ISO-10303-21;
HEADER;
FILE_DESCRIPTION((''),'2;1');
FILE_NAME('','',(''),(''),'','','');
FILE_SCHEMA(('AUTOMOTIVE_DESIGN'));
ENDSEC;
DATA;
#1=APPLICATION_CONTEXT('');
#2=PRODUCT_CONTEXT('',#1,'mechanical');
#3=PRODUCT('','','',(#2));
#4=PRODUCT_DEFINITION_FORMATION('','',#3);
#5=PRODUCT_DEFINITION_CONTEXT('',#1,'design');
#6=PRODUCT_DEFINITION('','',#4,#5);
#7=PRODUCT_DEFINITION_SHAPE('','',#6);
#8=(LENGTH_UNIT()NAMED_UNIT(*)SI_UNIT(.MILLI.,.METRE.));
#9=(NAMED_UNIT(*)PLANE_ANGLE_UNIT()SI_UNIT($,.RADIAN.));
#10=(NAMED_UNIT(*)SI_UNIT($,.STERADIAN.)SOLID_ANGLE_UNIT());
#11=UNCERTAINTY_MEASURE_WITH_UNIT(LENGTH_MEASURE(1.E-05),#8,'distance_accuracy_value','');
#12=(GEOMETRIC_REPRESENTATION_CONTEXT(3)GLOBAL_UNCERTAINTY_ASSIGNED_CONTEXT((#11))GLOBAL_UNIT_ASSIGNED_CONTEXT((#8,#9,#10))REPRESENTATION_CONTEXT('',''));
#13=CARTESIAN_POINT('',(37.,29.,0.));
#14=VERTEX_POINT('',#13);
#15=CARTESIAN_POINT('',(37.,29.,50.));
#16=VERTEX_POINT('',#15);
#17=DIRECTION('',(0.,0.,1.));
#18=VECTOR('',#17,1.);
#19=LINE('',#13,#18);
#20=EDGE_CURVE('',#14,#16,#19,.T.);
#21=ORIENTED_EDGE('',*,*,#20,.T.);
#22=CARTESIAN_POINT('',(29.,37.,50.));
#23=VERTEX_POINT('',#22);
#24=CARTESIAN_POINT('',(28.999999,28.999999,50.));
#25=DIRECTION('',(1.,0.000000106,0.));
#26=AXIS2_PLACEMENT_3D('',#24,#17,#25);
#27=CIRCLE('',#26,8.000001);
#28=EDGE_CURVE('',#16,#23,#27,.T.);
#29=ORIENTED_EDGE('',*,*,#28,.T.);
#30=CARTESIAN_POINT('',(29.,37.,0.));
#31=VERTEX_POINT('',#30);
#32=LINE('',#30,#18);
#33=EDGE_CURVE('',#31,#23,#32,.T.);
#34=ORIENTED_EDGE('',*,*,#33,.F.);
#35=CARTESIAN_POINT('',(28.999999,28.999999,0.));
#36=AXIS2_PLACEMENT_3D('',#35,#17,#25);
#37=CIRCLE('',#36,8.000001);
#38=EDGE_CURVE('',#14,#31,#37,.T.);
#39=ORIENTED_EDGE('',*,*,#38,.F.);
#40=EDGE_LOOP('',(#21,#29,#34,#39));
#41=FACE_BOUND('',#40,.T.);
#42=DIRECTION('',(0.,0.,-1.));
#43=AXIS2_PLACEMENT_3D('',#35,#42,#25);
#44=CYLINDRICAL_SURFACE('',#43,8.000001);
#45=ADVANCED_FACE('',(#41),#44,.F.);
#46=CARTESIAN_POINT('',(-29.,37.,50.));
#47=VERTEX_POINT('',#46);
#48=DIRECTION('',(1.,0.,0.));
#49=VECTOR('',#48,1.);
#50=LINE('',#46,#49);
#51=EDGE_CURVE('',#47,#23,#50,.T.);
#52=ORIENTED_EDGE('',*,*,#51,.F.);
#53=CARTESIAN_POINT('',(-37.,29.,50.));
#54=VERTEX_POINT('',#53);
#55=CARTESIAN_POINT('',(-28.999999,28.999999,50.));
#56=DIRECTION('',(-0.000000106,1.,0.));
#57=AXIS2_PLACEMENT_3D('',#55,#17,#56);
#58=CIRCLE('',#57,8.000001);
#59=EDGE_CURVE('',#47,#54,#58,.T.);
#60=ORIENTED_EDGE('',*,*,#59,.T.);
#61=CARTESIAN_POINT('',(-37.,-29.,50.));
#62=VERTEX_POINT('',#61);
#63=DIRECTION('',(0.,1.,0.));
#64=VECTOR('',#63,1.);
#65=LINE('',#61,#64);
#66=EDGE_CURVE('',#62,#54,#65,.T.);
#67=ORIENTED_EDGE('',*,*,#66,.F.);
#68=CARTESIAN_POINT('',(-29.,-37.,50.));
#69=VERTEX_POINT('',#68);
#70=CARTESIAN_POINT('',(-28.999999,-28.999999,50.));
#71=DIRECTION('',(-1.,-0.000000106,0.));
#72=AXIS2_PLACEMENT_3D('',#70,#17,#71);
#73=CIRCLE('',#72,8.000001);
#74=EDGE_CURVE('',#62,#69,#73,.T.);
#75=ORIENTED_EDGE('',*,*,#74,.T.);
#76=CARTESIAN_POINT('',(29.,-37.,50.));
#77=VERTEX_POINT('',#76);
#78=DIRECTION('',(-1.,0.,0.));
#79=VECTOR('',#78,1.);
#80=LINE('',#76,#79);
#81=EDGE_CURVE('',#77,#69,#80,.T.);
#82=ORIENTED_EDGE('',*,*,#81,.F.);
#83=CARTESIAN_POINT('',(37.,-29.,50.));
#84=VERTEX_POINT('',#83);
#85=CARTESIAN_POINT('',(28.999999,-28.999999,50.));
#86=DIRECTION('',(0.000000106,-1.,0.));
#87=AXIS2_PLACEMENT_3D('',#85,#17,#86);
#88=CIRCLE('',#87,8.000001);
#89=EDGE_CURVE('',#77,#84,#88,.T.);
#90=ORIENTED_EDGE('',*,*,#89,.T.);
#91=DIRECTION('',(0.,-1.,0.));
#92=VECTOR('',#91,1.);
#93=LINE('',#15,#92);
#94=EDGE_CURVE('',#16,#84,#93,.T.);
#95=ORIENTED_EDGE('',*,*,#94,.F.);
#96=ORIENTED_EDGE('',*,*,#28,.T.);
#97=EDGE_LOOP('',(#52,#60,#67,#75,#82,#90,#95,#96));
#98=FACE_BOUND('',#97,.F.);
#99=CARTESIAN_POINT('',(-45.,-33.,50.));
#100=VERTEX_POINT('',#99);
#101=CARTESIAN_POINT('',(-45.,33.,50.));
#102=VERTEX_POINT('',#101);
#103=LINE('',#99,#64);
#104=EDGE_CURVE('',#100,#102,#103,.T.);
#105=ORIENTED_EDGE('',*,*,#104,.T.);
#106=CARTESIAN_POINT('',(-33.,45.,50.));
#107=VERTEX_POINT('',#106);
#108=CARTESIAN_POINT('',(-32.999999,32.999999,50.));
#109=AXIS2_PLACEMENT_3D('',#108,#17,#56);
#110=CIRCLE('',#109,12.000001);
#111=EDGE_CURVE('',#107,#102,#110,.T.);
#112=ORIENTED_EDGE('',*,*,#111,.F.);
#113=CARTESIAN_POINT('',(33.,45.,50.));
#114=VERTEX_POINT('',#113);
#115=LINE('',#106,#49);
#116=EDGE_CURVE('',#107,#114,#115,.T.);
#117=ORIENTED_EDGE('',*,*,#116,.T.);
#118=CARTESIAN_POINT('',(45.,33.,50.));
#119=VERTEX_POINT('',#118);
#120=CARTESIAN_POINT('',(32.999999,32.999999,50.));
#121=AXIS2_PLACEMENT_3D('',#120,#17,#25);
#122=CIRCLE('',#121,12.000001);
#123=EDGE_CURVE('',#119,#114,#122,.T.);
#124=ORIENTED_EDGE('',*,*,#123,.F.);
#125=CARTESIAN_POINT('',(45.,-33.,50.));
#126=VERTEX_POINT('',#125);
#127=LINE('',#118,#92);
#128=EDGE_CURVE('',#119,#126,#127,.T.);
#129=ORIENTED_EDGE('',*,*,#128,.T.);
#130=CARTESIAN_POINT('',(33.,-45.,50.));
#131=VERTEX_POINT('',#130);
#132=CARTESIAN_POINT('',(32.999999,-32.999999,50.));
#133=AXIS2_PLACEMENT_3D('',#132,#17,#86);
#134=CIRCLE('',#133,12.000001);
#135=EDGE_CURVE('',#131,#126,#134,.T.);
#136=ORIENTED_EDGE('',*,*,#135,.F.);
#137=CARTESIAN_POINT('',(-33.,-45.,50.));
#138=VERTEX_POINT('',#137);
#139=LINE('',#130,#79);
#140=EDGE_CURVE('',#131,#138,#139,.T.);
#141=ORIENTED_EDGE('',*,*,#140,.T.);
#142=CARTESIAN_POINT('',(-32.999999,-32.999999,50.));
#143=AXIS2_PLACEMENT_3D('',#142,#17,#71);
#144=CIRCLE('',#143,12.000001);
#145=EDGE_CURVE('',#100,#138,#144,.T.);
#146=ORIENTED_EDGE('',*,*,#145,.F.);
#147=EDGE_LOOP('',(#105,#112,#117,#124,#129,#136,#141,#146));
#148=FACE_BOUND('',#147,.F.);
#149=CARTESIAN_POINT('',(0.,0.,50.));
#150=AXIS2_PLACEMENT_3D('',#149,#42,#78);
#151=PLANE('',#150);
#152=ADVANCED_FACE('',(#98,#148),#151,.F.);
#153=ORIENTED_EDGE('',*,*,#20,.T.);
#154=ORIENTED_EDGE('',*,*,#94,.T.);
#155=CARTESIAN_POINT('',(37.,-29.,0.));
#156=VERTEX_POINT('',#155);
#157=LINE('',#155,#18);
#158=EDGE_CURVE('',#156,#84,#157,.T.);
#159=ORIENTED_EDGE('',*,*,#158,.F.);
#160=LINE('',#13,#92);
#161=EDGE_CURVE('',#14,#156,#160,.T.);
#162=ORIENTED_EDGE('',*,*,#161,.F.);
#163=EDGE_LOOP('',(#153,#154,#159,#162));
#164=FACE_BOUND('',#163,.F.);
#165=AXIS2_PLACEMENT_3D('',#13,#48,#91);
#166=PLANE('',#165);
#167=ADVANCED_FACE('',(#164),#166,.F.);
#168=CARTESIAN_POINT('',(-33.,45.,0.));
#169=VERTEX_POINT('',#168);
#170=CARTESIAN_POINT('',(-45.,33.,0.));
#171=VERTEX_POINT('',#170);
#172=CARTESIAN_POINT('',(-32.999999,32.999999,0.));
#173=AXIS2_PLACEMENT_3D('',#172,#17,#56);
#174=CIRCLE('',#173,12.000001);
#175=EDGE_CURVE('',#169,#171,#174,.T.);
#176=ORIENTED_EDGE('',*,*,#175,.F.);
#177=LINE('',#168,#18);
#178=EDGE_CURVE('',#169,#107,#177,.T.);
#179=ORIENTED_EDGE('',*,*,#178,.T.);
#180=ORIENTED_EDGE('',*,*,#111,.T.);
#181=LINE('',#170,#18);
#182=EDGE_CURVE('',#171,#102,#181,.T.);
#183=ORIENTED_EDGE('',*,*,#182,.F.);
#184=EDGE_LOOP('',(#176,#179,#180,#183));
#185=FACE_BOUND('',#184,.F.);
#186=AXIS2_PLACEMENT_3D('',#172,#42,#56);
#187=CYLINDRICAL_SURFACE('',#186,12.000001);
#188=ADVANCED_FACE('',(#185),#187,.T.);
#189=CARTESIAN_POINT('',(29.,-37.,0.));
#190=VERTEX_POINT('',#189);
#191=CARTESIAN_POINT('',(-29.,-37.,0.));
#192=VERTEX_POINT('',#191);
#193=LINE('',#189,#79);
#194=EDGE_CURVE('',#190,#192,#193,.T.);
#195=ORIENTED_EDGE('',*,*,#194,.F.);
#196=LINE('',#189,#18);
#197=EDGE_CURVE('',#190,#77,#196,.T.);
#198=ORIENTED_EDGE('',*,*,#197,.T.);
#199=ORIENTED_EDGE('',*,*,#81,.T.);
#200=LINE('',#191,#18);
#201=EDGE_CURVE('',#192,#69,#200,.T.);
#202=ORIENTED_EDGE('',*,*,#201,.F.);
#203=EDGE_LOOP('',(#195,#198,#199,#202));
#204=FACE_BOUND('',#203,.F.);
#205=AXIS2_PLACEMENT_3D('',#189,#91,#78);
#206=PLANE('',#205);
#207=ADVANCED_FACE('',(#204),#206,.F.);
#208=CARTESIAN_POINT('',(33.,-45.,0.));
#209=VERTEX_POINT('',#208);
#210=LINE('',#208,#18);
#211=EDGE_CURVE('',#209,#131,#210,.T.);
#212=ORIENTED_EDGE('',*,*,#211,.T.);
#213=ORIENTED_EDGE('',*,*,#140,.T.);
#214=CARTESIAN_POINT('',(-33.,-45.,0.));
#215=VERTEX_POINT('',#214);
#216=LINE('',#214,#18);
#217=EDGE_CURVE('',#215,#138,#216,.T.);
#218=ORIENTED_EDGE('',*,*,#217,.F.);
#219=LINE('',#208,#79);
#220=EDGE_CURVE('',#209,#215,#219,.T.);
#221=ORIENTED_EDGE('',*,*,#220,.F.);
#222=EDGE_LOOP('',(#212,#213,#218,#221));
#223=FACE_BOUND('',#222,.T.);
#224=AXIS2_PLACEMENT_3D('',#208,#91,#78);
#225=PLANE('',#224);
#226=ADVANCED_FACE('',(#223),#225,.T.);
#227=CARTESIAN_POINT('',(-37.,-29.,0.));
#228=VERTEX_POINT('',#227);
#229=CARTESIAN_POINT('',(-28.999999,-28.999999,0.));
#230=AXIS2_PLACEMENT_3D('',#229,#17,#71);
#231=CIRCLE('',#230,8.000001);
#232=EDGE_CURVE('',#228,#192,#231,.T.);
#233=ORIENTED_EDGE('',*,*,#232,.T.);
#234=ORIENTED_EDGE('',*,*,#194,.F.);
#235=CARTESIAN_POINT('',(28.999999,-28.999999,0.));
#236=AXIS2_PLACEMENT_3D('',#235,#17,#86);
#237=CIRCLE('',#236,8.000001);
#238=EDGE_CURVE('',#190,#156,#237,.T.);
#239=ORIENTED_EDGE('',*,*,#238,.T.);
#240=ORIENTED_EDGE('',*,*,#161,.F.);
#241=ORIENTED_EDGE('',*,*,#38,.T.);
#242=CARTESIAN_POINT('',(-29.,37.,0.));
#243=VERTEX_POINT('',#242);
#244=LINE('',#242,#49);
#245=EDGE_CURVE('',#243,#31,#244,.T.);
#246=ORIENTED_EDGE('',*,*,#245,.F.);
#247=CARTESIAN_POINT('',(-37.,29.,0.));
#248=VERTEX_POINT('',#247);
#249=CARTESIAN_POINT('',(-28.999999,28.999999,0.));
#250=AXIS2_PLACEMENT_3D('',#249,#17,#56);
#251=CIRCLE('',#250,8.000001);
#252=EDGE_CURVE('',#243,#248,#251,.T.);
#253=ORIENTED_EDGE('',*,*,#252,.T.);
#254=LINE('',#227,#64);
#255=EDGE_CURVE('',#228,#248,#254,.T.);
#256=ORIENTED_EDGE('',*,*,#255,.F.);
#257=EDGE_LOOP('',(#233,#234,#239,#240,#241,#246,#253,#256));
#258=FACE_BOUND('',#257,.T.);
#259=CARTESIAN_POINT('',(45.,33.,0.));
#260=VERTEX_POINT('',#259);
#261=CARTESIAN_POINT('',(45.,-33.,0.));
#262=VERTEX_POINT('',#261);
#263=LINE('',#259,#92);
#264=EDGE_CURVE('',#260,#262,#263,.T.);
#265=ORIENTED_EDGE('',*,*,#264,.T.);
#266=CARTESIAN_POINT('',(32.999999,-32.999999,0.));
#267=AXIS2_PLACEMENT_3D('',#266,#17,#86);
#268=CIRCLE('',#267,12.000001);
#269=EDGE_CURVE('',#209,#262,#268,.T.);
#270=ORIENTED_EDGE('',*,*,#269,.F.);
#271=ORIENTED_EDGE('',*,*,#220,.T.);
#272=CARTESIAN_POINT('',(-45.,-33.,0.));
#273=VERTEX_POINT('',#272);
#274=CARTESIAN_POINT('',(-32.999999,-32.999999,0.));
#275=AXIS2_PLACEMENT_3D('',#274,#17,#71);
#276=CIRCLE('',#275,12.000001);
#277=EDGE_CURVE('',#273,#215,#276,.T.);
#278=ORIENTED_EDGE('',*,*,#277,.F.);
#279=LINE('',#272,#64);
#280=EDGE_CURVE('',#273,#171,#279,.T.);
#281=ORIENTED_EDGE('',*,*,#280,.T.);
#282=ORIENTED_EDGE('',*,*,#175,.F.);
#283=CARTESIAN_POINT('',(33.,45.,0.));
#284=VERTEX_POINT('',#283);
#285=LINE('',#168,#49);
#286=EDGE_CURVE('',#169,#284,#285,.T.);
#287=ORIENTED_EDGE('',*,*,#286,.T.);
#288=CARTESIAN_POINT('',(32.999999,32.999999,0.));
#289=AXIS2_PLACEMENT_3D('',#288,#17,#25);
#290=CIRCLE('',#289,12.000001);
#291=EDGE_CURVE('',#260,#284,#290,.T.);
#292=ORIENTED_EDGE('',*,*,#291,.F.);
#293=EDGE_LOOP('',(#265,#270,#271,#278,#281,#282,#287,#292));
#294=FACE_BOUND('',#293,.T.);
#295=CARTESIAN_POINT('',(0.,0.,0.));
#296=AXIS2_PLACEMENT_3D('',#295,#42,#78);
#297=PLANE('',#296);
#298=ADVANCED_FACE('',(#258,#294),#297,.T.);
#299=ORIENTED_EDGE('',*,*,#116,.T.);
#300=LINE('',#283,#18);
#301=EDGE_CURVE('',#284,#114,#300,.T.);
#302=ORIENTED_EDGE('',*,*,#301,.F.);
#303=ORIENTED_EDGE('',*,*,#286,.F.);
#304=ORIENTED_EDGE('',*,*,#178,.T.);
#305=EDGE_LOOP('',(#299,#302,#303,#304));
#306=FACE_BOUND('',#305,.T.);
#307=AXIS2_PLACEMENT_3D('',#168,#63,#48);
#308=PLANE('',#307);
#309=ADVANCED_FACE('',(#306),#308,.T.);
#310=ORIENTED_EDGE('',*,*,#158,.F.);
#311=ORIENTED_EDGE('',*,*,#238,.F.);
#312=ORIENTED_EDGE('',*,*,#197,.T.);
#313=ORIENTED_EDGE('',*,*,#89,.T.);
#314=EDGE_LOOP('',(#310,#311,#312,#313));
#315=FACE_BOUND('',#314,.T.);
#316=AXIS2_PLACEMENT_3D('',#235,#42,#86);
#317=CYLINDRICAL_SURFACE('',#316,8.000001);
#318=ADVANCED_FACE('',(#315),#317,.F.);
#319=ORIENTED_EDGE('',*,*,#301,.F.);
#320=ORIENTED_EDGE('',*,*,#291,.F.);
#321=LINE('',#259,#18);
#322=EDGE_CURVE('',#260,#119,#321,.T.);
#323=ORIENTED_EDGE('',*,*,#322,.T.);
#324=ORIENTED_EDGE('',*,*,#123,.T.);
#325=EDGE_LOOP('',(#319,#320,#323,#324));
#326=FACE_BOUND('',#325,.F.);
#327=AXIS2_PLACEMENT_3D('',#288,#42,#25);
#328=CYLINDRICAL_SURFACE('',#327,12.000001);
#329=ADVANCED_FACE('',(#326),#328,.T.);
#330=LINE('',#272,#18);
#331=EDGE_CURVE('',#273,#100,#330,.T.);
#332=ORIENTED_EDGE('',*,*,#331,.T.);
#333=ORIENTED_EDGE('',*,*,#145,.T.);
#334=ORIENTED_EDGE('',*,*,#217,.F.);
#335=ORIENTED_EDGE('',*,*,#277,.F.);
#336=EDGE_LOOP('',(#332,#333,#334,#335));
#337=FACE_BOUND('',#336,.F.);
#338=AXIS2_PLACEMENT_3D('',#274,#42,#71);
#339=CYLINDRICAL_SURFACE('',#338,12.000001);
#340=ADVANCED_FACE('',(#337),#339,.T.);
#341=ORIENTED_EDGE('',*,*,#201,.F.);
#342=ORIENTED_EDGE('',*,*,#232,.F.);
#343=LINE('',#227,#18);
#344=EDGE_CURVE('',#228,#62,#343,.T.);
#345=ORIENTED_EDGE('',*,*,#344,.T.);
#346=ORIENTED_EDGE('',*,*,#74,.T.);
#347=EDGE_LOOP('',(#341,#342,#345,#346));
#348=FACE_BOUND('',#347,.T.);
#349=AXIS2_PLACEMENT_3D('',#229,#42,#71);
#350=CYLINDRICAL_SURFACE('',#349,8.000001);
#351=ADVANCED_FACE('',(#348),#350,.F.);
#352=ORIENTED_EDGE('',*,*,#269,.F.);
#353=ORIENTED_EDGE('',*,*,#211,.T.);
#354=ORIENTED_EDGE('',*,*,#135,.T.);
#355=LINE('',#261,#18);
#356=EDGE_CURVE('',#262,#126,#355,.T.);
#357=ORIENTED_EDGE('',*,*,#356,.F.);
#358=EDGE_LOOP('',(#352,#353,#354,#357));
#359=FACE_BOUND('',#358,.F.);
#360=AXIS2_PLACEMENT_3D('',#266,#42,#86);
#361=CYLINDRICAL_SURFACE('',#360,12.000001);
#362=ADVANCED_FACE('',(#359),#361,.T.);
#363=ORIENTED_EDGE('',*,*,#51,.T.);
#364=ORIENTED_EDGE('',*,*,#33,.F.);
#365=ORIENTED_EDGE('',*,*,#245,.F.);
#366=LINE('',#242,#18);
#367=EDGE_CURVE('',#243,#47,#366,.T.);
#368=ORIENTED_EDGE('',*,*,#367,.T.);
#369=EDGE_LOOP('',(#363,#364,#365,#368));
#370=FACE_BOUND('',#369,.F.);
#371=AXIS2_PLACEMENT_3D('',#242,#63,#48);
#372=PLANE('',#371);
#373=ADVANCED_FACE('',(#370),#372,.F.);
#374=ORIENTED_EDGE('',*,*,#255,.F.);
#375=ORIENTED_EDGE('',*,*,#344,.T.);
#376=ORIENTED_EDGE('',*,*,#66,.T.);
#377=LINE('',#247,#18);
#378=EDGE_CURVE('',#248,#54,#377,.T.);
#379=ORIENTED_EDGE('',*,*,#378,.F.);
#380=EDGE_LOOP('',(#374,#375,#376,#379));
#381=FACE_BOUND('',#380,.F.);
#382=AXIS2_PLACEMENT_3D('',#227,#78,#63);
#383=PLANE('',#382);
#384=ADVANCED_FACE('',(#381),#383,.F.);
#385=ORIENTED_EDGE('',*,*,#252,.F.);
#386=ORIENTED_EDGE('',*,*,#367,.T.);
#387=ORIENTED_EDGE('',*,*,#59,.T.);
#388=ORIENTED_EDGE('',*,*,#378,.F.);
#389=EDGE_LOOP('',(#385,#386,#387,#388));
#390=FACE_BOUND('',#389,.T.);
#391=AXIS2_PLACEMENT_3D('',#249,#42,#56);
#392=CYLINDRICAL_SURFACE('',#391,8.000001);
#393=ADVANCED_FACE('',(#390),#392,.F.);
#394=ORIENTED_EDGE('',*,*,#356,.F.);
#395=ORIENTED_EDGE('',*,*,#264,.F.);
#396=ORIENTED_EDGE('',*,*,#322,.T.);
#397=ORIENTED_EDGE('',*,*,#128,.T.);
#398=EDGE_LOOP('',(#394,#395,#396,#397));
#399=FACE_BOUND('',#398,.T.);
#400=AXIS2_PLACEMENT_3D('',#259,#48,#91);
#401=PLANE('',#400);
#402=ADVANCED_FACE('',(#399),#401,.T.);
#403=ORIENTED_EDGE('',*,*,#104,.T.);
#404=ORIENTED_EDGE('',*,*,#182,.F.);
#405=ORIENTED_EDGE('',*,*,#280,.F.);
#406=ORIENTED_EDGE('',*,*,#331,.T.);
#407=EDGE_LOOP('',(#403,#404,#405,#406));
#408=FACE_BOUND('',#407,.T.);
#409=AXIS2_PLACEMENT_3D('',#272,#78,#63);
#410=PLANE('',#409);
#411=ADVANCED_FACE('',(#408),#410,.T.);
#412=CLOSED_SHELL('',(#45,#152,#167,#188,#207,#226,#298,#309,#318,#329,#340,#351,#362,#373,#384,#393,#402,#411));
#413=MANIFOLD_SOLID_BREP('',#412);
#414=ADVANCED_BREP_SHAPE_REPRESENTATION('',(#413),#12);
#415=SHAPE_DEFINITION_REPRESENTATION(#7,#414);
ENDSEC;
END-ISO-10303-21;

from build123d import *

# Parameters (mm, degrees)
EXTRUDE_DEPTH = 50


with BuildPart() as part:
    # Sketch → Extrude (new body)
    with BuildSketch(Plane.XY):
        with BuildLine():
            Line((-33, 45), (33, 45))
            ThreePointArc((45, 33), (41.485281, 41.485281), (33, 45))
            Line((45, 33), (45, -33))
            ThreePointArc((33, -45), (41.485281, -41.485281), (45, -33))
            Line((33, -45), (-33, -45))
            ThreePointArc((-45, -33), (-41.485281, -41.485281), (-33, -45))
            Line((-45, -33), (-45, 33))
            ThreePointArc((-33, 45), (-41.485281, 41.485281), (-45, 33))
        make_face()
        with BuildLine():
            Line((-29, 37), (29, 37))
            ThreePointArc((37, 29), (34.656854, 34.656854), (29, 37))
            Line((37, 29), (37, -29))
            ThreePointArc((29, -37), (34.656854, -34.656854), (37, -29))
            Line((29, -37), (-29, -37))
            ThreePointArc((-37, -29), (-34.656854, -34.656854), (-29, -37))
            Line((-37, -29), (-37, 29))
            ThreePointArc((-29, 37), (-34.656854, 34.656854), (-37, 29))
        make_face(mode=Mode.SUBTRACT)
    extrude(amount=EXTRUDE_DEPTH)


solid = part.part
